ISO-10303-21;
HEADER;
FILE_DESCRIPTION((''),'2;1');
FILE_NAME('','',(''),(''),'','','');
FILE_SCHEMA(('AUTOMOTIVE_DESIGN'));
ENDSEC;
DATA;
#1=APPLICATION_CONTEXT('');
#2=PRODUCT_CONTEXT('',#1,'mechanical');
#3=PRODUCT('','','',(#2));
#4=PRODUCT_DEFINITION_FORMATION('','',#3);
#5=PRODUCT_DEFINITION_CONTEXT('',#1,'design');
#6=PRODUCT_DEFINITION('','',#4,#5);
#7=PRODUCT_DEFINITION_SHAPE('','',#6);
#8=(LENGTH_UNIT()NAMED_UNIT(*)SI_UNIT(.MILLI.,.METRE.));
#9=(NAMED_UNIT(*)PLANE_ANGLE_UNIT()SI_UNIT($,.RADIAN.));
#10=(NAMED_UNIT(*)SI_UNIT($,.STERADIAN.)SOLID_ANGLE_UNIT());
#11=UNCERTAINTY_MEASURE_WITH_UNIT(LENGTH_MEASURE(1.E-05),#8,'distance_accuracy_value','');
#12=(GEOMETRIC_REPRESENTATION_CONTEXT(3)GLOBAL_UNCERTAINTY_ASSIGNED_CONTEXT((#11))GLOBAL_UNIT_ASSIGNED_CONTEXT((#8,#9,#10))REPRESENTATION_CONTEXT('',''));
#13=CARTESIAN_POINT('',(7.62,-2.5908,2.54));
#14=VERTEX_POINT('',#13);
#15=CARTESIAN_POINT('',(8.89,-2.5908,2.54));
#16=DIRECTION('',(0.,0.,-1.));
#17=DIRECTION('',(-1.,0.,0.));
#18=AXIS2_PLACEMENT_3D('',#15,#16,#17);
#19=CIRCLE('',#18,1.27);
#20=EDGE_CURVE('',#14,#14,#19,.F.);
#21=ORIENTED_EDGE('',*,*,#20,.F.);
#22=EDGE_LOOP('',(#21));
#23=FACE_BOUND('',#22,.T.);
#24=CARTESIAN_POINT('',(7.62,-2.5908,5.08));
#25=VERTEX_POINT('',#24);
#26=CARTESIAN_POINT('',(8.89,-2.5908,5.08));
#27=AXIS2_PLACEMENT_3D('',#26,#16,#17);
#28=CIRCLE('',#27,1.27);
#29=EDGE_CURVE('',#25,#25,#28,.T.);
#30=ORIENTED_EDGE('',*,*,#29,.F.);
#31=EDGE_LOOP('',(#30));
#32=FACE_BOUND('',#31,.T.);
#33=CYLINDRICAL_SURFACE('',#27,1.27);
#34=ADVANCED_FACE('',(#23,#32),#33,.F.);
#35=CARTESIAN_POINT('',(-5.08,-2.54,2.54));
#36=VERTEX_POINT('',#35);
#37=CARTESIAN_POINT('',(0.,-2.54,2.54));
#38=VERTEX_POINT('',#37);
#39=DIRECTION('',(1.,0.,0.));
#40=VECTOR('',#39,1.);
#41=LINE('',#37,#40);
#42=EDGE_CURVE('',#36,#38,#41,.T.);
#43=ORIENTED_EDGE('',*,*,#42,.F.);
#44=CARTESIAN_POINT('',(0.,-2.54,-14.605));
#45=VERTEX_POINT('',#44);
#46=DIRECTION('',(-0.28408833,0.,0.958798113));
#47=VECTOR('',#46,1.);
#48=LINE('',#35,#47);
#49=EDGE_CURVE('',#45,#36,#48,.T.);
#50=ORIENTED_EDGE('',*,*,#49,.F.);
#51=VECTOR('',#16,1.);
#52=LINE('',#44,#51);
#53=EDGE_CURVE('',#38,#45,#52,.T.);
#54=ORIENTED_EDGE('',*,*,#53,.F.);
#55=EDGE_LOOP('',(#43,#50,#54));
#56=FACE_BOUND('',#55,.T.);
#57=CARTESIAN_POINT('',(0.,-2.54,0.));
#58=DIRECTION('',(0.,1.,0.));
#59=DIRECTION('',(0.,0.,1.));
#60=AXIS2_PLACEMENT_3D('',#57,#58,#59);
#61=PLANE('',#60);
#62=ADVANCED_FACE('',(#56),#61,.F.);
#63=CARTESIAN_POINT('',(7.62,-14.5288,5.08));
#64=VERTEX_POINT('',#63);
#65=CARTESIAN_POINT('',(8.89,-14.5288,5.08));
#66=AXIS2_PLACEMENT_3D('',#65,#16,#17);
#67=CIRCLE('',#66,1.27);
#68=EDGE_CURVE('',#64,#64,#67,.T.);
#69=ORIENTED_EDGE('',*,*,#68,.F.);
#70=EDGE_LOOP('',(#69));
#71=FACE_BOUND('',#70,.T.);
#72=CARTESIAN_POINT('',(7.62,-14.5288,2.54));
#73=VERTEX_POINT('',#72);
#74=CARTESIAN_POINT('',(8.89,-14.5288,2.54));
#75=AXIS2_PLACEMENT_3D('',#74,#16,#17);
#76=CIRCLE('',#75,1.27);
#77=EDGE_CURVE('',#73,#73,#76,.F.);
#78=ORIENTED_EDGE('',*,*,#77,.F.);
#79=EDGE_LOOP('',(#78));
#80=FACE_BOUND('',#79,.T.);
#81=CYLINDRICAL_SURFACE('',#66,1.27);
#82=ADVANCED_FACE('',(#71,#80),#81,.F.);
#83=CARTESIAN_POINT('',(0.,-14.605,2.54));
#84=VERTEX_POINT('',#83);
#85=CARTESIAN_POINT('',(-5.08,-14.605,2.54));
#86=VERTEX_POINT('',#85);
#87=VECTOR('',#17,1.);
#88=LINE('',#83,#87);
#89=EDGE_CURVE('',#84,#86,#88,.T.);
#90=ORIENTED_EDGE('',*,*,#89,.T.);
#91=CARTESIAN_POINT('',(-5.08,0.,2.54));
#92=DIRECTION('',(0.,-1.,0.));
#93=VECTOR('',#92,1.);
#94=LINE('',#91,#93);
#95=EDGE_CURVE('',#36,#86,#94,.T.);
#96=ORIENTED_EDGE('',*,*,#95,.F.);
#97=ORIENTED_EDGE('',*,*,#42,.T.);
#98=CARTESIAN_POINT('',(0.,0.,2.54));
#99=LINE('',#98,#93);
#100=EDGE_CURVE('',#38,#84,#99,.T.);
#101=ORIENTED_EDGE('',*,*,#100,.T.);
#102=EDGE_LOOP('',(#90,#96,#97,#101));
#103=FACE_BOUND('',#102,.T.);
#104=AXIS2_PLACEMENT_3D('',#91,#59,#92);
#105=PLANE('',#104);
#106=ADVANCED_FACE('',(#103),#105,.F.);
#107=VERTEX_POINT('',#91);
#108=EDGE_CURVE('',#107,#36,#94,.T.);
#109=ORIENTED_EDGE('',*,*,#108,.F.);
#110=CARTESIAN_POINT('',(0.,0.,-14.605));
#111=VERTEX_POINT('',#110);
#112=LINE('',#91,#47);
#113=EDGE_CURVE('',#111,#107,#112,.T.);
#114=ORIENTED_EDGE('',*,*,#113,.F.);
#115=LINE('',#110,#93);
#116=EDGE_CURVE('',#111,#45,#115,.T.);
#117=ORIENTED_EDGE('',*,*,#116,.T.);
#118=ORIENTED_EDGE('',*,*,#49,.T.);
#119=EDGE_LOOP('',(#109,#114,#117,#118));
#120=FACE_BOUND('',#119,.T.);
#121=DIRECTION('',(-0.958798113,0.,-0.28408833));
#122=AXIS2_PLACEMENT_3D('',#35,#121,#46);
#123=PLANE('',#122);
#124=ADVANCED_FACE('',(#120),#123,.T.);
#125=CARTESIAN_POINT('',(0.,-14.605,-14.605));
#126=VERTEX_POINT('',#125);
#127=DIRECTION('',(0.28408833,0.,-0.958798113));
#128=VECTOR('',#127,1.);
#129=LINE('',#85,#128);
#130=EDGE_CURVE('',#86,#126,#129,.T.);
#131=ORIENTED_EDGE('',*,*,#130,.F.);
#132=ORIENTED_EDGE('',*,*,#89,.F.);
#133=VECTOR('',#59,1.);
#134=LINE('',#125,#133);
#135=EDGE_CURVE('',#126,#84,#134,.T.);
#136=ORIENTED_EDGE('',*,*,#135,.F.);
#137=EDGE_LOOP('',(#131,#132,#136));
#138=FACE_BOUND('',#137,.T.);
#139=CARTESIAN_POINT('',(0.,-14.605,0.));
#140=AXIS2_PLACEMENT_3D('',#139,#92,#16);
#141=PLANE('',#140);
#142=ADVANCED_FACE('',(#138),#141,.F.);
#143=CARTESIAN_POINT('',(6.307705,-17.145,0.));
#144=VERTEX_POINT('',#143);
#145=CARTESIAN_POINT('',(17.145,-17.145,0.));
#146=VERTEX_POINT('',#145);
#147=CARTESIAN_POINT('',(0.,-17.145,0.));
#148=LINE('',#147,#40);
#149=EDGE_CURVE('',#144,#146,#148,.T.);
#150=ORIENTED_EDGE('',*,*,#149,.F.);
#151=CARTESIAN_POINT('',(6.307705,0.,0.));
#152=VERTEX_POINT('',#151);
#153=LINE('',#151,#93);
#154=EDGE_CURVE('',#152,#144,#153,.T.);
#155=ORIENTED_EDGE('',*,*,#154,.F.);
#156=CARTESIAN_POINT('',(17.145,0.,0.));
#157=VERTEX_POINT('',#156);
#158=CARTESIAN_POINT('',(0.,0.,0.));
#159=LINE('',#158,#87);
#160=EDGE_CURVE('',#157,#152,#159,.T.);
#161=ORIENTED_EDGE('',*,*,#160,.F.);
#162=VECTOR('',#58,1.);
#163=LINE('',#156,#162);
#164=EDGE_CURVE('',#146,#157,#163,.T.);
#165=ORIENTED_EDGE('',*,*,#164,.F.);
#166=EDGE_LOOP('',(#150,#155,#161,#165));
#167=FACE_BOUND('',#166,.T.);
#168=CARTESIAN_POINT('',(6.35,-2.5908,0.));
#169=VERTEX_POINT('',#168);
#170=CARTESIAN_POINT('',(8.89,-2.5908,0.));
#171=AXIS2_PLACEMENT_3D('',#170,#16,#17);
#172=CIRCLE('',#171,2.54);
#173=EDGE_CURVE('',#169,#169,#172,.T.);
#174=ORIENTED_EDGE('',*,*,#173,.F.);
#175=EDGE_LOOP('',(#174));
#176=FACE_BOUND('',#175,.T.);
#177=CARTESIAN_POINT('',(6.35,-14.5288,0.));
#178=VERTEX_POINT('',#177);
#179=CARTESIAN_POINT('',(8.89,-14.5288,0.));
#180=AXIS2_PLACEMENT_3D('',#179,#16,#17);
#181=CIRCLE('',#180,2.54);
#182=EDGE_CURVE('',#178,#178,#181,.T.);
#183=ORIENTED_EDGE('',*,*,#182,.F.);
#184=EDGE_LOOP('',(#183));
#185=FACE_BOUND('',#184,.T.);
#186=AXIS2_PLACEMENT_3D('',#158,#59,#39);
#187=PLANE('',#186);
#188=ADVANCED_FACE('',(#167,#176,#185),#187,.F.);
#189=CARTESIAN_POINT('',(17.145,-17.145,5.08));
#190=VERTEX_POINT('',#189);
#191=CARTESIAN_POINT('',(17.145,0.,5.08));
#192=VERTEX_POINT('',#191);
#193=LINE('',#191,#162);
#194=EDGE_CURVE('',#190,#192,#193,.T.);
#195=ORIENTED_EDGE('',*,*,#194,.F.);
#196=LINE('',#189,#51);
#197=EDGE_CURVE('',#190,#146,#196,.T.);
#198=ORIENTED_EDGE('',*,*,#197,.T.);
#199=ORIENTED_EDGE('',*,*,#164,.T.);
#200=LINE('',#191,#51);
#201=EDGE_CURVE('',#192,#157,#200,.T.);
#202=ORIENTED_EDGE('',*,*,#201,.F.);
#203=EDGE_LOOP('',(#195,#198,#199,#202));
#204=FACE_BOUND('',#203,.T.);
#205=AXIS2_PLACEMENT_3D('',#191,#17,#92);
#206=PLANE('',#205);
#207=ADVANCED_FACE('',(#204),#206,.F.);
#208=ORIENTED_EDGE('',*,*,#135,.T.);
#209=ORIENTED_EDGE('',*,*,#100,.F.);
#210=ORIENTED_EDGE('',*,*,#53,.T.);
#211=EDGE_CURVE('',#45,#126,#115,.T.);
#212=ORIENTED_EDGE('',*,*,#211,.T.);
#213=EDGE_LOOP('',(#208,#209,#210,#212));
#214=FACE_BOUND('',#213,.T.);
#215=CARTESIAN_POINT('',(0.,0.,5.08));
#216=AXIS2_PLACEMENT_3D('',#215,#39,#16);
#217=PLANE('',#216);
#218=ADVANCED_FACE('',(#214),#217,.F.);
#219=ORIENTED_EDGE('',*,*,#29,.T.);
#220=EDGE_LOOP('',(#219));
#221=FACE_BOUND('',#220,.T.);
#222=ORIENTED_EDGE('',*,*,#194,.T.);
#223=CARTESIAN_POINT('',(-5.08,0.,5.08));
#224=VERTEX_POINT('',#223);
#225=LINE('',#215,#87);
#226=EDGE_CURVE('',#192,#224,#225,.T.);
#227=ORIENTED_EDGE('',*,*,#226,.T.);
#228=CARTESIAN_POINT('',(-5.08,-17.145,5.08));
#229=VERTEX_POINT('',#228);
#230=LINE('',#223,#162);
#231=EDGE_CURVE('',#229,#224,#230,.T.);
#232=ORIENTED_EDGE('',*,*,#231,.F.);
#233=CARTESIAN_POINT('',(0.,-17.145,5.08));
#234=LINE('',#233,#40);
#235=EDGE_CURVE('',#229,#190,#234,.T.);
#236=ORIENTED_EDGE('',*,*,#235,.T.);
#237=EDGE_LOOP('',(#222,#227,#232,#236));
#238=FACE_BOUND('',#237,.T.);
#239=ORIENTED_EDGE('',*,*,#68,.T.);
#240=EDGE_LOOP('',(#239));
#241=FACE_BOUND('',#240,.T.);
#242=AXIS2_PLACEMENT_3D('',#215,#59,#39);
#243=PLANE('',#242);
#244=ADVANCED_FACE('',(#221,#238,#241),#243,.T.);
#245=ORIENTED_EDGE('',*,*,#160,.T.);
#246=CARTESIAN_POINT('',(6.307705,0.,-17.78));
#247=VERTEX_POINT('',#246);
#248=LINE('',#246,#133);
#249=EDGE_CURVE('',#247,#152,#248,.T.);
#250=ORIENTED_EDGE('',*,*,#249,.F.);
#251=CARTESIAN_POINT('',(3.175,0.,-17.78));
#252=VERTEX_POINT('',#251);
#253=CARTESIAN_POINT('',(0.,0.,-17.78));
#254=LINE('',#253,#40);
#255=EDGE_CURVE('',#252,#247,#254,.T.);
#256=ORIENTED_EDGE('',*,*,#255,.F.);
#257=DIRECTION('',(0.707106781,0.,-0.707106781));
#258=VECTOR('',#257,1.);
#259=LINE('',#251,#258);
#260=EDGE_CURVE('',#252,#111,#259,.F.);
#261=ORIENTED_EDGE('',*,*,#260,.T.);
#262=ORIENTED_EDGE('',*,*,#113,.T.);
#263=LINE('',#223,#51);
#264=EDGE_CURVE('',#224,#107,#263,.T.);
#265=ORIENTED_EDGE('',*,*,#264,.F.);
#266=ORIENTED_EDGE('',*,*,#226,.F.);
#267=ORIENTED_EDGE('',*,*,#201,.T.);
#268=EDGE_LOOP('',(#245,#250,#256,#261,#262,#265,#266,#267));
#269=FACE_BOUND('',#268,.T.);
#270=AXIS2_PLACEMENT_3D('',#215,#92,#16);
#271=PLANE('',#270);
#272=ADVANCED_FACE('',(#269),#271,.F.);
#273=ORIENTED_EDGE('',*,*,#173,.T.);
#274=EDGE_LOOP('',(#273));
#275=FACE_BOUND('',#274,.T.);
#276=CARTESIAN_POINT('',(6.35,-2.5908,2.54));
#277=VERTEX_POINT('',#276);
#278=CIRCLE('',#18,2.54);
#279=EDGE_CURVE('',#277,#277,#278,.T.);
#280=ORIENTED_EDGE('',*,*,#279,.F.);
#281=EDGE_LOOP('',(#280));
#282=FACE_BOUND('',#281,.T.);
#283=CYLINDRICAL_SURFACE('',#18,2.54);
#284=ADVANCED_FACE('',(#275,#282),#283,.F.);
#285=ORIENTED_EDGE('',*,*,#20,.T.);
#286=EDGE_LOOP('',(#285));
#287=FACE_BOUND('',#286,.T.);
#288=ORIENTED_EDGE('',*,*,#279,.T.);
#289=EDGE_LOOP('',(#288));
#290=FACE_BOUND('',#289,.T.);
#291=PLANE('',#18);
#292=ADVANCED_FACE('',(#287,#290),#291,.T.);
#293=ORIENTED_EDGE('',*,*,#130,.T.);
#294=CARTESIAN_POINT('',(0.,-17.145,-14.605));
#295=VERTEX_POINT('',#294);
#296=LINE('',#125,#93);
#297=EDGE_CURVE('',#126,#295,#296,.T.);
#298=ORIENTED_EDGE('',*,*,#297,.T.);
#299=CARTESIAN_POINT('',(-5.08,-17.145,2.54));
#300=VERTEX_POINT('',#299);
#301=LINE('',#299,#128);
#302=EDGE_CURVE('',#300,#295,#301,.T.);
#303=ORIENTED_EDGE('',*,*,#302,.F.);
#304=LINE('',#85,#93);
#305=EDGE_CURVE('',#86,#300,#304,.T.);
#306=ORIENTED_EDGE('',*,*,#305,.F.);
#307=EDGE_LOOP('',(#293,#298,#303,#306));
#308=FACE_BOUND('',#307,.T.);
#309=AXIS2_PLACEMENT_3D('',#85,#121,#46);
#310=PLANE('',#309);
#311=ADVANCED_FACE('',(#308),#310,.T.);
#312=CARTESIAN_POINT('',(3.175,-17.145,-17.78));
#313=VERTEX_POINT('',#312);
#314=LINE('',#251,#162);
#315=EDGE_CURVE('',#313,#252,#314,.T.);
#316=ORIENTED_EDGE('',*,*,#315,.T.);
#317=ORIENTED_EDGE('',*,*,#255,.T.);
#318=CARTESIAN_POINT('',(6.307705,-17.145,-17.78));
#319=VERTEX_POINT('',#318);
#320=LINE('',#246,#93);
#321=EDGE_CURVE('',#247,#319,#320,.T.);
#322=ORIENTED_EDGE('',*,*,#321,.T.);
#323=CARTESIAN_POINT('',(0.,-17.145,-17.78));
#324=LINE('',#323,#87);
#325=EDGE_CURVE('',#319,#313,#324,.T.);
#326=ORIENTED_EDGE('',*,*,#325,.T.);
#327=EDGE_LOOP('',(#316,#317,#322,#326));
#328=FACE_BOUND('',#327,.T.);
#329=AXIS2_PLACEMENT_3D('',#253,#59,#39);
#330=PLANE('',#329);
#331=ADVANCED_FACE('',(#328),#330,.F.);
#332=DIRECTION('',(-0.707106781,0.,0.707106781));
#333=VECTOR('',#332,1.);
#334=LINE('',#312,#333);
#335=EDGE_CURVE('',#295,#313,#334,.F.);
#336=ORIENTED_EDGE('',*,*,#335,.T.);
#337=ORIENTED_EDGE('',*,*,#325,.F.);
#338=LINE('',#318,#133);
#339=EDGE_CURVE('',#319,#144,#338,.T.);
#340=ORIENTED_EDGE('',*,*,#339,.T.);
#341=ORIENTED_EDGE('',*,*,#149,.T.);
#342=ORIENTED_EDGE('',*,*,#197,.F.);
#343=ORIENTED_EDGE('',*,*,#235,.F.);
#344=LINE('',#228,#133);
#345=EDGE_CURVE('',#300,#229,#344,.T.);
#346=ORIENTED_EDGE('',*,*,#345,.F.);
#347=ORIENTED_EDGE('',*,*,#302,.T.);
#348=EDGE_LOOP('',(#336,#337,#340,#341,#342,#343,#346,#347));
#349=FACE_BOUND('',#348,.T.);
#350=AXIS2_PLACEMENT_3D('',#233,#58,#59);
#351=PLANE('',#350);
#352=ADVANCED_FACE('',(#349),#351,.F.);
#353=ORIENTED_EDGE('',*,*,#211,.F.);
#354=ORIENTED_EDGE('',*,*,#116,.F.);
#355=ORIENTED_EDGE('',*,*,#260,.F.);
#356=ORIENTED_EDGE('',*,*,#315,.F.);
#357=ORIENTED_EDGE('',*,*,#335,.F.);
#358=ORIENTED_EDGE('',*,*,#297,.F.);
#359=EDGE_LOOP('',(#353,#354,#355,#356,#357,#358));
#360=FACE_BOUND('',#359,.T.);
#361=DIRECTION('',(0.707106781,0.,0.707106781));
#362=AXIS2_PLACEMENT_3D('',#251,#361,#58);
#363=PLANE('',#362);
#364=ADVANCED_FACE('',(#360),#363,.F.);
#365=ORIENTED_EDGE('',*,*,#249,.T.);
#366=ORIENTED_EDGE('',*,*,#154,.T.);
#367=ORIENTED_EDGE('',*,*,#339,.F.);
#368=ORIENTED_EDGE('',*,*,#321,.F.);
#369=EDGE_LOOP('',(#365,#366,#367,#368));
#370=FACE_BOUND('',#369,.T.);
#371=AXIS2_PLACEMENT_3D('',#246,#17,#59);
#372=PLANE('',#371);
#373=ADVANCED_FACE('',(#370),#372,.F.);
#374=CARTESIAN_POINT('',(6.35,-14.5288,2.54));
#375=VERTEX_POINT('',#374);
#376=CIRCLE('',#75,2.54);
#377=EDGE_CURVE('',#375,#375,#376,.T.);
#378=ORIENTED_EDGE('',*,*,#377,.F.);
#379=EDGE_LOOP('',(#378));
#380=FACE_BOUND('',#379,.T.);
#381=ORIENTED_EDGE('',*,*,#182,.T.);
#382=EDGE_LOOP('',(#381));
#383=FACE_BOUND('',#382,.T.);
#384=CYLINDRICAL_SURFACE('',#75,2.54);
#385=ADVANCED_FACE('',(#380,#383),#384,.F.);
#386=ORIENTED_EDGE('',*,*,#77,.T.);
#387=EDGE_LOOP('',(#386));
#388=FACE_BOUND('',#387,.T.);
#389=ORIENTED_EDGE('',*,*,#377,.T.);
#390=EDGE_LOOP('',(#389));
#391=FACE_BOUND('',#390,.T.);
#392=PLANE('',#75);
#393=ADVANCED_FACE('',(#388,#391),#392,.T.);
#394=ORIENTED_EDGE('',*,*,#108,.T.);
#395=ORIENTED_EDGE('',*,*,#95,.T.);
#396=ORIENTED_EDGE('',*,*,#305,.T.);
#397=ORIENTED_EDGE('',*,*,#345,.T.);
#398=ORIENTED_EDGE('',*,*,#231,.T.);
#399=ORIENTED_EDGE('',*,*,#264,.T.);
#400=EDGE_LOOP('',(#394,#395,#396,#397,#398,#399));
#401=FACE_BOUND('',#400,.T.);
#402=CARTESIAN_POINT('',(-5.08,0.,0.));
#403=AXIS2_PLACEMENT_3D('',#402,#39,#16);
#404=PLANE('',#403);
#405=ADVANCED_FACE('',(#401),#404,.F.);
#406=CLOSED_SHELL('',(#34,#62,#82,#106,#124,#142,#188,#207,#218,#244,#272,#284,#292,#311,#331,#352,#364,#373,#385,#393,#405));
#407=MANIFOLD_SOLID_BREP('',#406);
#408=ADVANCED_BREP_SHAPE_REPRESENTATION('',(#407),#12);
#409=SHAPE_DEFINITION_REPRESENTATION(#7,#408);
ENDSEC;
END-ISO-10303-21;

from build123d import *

# Parameters (mm, degrees)
SKETCH1_W           = 17.145
SKETCH1_H           = 17.145
BOSS_EXTRUDE1_DEPTH = 5.08
SKETCH2_R           = 1.27
CUT_EXTRUDE1_DEPTH  = 6.08
SKETCH3_R           = 2.54
CUT_EXTRUDE4_DEPTH  = 2.54
SKETCH4_W           = 6.307704678
SKETCH4_H           = 17.145
BOSS_EXTRUDE2_DEPTH = 17.78
SKETCH5_W           = 2.54
SKETCH5_H           = 17.145
BOSS_EXTRUDE3_DEPTH = 5.08
CHAMFER1_SIZE       = 3.175
BOSS_EXTRUDE4_DEPTH = 2.54
BOSS_EXTRUDE5_DEPTH = 2.54


with BuildPart() as part:
    # Sketch1 → Boss-Extrude1 (new body)
    with BuildSketch(Plane.XY):
        with Locations((8.5725, -8.5725)):
            Rectangle(SKETCH1_W, SKETCH1_H)
    extrude(amount=BOSS_EXTRUDE1_DEPTH)

    # Sketch2 → Cut-Extrude1 (cut, through all)
    with BuildSketch(Plane(origin=(0, 0, 0), x_dir=(-1, 0, 0), z_dir=(0, 0, -1))):
        with Locations((-8.89, -2.5908)):
            Circle(SKETCH2_R)
        with Locations((-8.89, -14.5288)):
            Circle(SKETCH2_R)
    extrude(amount=-CUT_EXTRUDE1_DEPTH, mode=Mode.SUBTRACT)

    # Sketch3 → Cut-Extrude4 (cut)
    with BuildSketch(Plane(origin=(0, 0, 0), x_dir=(-1, 0, 0), z_dir=(0, 0, -1))):
        with Locations((-8.89, -2.5908)):
            Circle(SKETCH3_R)
        with Locations((-8.89, -14.5288)):
            Circle(SKETCH3_R)
    extrude(amount=-CUT_EXTRUDE4_DEPTH, mode=Mode.SUBTRACT)

    # Sketch4 → Boss-Extrude2 (add)
    with BuildSketch(Plane(origin=(0, 0, 0), x_dir=(-1, 0, 0), z_dir=(0, 0, -1))):
        with Locations((-3.153852339, -8.5725)):
            Rectangle(SKETCH4_W, SKETCH4_H)
    extrude(amount=BOSS_EXTRUDE2_DEPTH)

    # Sketch5 → Boss-Extrude3 (add)
    with BuildSketch(Plane.ZY):
        with Locations((3.81, -8.5725)):
            Rectangle(SKETCH5_W, SKETCH5_H)
    extrude(amount=BOSS_EXTRUDE3_DEPTH)

    # Chamfer1
    chamfer1_edges = [part.edges().sort_by_distance(p)[0] for p in [
        (0, -8.5725, -17.78),
    ]]
    chamfer(chamfer1_edges, length=CHAMFER1_SIZE)

    # Sketch7 → Boss-Extrude4 (add)
    with BuildSketch(Plane(origin=(0, 0, 0), x_dir=(1, 0, 0), z_dir=(0, 1, 0))):
        Polygon((-5.08, -2.54), (0, 14.605), (0, -2.54), align=None)
    extrude(amount=-BOSS_EXTRUDE4_DEPTH)

    # Sketch8 → Boss-Extrude5 (add)
    with BuildSketch(Plane.XZ.offset(17.145)):
        Polygon((0, 2.54), (-5.08, 2.54), (0, -14.605), align=None)
    extrude(amount=-BOSS_EXTRUDE5_DEPTH)


solid = part.part
